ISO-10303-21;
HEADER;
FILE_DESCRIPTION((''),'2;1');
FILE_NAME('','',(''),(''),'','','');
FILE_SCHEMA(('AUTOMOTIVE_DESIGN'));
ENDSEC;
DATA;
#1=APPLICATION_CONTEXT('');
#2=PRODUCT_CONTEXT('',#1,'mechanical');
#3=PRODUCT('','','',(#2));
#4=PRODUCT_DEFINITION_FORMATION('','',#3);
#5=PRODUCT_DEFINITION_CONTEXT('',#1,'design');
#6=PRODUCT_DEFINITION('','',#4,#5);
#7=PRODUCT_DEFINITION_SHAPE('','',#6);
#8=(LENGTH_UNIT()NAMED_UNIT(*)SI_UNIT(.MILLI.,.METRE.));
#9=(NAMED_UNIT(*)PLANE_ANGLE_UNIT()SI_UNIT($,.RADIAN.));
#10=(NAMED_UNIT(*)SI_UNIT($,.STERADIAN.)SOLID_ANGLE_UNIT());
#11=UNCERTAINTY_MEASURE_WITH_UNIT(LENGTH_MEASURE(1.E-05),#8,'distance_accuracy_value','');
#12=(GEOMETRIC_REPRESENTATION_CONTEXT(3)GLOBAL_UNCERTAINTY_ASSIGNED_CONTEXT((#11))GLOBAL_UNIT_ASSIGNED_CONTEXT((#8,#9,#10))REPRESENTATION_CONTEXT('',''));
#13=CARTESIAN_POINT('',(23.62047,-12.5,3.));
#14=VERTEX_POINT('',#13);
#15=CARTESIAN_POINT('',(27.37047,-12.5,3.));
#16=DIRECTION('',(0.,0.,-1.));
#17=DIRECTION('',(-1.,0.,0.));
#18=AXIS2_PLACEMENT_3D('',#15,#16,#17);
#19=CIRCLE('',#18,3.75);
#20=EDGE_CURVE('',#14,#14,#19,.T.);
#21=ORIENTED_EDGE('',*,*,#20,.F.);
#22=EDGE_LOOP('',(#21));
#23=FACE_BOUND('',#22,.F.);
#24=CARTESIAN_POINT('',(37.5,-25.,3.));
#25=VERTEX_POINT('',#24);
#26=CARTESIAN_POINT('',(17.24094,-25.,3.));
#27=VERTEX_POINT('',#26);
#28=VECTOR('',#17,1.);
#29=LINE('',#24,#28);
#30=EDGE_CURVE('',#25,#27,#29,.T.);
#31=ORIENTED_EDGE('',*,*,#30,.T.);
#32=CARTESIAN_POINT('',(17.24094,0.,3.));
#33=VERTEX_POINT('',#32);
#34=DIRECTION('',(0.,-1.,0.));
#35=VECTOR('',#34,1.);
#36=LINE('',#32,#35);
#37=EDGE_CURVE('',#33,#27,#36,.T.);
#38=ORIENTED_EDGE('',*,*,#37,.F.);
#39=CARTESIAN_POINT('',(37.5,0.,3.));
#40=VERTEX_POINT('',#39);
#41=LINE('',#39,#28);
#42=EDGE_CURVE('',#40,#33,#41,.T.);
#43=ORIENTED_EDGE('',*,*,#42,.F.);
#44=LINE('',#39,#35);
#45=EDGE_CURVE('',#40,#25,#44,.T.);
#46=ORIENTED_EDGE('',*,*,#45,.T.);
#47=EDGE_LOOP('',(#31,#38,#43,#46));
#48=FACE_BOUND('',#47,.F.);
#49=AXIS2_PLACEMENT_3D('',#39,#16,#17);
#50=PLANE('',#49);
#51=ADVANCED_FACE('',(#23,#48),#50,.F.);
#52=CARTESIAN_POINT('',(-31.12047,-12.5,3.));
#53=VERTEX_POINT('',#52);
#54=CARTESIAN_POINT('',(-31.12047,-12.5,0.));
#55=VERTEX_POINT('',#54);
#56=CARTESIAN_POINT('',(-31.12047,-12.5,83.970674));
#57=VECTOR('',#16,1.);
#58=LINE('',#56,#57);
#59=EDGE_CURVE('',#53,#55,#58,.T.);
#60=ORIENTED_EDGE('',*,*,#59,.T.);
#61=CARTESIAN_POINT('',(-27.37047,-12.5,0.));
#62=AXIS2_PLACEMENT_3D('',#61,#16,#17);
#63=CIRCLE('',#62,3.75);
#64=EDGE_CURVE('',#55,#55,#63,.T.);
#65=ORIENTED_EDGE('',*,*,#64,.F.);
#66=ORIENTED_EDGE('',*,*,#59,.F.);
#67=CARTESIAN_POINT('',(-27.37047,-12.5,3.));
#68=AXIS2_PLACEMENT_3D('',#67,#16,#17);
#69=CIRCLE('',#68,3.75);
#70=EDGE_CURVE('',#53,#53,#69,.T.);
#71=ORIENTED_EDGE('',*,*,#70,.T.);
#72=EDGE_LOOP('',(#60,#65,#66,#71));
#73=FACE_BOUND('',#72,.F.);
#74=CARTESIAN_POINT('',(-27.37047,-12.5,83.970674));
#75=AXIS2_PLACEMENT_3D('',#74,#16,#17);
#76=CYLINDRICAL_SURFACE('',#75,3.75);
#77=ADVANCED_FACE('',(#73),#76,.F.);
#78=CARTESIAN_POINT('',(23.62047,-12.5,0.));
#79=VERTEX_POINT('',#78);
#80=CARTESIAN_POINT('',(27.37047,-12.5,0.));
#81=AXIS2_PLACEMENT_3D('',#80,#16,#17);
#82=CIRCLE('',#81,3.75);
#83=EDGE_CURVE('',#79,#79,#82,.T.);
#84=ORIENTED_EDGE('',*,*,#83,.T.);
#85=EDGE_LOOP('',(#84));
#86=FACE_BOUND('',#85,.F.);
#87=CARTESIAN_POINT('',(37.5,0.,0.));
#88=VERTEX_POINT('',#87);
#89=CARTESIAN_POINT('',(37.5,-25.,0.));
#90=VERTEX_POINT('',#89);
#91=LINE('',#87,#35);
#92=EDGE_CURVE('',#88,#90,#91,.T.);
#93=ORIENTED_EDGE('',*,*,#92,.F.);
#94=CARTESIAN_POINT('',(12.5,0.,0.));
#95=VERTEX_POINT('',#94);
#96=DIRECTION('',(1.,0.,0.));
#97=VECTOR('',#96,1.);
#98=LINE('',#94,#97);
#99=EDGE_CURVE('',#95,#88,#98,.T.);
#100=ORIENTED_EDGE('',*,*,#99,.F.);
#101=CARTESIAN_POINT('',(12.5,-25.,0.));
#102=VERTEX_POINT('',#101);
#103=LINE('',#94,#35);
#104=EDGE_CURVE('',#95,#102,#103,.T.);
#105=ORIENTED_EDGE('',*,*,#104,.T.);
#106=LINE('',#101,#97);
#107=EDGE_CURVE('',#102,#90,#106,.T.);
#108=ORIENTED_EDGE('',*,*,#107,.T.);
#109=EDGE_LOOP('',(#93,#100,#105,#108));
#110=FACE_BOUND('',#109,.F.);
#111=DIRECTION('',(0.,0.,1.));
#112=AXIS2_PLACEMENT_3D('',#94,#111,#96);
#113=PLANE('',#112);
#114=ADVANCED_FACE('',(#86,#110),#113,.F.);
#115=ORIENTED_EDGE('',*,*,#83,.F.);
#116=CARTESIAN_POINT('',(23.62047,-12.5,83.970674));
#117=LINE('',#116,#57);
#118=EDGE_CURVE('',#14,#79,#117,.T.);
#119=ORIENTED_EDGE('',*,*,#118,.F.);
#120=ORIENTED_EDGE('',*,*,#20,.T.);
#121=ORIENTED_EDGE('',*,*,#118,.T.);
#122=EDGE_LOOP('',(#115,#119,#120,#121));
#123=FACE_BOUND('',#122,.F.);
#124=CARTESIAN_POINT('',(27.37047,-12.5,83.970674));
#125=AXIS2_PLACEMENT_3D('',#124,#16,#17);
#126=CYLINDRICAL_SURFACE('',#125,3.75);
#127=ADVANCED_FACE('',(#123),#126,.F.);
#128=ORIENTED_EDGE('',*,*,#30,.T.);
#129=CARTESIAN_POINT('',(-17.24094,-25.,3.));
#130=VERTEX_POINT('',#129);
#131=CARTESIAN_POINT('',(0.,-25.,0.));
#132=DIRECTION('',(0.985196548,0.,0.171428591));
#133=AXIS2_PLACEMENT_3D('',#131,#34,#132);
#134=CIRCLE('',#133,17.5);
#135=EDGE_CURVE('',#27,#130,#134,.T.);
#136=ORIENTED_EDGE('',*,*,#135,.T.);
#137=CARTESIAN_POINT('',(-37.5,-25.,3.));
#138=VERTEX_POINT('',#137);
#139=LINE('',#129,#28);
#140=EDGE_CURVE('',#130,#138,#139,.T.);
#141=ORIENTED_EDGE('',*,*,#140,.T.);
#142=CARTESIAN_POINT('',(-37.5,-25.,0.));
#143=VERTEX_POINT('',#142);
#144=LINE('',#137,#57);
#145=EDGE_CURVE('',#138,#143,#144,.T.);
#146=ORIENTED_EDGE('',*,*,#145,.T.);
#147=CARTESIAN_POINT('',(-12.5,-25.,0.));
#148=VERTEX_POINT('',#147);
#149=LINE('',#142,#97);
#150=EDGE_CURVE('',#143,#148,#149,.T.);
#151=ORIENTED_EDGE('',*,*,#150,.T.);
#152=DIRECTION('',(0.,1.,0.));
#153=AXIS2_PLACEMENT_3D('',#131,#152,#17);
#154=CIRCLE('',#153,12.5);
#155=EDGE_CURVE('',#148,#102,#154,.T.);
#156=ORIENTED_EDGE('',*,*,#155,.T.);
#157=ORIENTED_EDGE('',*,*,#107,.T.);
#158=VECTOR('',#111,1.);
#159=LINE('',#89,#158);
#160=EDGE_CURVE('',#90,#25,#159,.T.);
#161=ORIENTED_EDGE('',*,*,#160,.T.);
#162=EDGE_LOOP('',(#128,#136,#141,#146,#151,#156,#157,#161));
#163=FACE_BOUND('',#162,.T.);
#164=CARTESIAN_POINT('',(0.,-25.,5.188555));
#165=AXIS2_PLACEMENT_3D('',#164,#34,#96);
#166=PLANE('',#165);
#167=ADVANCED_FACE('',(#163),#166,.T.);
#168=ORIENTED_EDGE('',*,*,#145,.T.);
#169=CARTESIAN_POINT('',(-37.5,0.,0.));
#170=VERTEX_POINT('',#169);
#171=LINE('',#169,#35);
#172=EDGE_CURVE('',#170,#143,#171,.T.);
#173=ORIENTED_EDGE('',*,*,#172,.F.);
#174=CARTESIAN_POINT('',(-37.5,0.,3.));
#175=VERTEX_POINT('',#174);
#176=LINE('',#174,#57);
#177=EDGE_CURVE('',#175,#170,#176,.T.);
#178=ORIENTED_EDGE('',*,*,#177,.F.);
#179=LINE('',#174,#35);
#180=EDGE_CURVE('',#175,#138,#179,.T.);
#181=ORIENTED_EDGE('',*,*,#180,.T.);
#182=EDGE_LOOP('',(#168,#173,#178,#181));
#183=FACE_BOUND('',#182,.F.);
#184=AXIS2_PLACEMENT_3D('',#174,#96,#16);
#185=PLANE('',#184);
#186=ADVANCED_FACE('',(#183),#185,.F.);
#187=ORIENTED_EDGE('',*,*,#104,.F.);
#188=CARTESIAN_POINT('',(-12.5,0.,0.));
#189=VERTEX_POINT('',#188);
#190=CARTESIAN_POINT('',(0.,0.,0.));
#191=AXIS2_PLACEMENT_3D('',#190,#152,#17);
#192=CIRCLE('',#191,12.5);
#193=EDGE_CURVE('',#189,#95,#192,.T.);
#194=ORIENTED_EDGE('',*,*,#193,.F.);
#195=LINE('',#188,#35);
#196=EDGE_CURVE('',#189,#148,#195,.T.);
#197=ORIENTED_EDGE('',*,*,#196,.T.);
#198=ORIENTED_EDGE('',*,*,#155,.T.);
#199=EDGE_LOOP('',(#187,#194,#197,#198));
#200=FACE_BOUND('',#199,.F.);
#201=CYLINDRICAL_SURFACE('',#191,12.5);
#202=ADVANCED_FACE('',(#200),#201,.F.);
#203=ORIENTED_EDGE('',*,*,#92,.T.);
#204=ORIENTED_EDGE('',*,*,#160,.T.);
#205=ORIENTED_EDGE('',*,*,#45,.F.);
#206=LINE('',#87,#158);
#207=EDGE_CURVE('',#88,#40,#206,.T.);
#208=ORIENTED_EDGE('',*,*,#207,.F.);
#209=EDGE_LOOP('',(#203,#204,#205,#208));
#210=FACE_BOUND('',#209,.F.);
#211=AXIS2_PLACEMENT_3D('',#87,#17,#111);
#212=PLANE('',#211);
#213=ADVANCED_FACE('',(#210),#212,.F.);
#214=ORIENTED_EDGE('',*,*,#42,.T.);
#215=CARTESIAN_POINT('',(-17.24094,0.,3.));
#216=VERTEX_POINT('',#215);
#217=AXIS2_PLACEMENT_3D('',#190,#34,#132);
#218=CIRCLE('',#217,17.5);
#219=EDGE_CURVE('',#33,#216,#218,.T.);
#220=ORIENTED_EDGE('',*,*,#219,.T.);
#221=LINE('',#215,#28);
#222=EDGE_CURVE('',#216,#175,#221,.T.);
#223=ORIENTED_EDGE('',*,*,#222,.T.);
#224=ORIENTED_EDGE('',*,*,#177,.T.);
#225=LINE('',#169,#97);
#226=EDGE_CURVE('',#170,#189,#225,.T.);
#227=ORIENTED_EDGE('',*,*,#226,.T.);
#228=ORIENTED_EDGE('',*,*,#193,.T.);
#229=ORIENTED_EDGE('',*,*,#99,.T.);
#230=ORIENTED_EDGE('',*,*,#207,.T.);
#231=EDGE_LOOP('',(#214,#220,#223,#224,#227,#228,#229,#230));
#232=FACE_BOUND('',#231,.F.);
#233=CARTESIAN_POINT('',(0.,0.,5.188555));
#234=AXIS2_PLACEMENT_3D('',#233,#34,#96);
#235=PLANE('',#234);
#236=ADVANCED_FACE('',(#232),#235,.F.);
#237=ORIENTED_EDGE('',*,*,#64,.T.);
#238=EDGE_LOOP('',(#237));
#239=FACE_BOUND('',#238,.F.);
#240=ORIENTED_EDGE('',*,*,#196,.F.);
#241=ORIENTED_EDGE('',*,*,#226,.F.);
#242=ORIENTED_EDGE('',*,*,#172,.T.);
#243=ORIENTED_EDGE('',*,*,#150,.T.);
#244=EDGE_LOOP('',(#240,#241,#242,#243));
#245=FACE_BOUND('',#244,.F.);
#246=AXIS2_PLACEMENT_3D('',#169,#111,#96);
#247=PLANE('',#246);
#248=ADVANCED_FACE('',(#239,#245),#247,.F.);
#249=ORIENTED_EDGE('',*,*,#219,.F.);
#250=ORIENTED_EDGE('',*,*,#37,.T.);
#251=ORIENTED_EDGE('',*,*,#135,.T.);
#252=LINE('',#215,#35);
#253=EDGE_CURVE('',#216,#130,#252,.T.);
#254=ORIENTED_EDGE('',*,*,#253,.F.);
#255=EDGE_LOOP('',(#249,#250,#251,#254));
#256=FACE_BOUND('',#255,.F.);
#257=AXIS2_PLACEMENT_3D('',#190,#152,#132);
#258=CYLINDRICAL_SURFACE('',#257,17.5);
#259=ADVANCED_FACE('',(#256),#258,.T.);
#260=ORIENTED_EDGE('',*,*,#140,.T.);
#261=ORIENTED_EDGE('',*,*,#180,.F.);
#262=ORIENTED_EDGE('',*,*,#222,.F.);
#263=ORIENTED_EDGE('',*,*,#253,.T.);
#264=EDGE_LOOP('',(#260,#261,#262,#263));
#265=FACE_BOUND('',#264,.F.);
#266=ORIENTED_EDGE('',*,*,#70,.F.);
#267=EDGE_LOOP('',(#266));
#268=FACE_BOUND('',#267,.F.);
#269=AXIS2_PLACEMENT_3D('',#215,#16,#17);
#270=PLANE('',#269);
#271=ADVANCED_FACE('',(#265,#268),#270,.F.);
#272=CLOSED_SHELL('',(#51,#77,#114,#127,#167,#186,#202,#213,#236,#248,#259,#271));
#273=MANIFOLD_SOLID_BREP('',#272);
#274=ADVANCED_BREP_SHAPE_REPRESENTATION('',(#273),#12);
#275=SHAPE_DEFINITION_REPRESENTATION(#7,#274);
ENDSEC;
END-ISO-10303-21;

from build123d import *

# Parameters (mm, degrees)
F1_DEPTH = 25
F3_D     = 7.5
F4_D     = 7.5


with BuildPart() as f1:
    # F0 (on Front) → F1 (new body)
    with BuildSketch(Plane.XZ):
        with BuildLine():
            ThreePointArc((-12.5, 0), (0, 12.5), (12.5, 0))
            Line((12.5, 0), (17.5, 0))
            Line((17.5, 0), (37.5, 0))
            Line((37.5, 0), (37.5, 3))
            Line((37.5, 3), (17.24094, 3))
            ThreePointArc((17.24094, 3), (0, 17.5), (-17.24094, 3))
            Line((-17.24094, 3), (-37.5, 3))
            Line((-37.5, 3), (-37.5, 0))
            Line((-37.5, 0), (-17.5, 0))
            Line((-17.5, 0), (-12.5, 0))
        make_face()
    extrude(amount=F1_DEPTH)

    # F3 (through all)
    with Locations(Plane.XY.offset(3)):
        with Locations((-27.37047, -12.5)):
            Hole(F3_D / 2)

    # F4 (through all)
    with Locations(Plane.XY.offset(3)):
        with Locations((27.37047, -12.5)):
            Hole(F4_D / 2)


solid = f1.part
